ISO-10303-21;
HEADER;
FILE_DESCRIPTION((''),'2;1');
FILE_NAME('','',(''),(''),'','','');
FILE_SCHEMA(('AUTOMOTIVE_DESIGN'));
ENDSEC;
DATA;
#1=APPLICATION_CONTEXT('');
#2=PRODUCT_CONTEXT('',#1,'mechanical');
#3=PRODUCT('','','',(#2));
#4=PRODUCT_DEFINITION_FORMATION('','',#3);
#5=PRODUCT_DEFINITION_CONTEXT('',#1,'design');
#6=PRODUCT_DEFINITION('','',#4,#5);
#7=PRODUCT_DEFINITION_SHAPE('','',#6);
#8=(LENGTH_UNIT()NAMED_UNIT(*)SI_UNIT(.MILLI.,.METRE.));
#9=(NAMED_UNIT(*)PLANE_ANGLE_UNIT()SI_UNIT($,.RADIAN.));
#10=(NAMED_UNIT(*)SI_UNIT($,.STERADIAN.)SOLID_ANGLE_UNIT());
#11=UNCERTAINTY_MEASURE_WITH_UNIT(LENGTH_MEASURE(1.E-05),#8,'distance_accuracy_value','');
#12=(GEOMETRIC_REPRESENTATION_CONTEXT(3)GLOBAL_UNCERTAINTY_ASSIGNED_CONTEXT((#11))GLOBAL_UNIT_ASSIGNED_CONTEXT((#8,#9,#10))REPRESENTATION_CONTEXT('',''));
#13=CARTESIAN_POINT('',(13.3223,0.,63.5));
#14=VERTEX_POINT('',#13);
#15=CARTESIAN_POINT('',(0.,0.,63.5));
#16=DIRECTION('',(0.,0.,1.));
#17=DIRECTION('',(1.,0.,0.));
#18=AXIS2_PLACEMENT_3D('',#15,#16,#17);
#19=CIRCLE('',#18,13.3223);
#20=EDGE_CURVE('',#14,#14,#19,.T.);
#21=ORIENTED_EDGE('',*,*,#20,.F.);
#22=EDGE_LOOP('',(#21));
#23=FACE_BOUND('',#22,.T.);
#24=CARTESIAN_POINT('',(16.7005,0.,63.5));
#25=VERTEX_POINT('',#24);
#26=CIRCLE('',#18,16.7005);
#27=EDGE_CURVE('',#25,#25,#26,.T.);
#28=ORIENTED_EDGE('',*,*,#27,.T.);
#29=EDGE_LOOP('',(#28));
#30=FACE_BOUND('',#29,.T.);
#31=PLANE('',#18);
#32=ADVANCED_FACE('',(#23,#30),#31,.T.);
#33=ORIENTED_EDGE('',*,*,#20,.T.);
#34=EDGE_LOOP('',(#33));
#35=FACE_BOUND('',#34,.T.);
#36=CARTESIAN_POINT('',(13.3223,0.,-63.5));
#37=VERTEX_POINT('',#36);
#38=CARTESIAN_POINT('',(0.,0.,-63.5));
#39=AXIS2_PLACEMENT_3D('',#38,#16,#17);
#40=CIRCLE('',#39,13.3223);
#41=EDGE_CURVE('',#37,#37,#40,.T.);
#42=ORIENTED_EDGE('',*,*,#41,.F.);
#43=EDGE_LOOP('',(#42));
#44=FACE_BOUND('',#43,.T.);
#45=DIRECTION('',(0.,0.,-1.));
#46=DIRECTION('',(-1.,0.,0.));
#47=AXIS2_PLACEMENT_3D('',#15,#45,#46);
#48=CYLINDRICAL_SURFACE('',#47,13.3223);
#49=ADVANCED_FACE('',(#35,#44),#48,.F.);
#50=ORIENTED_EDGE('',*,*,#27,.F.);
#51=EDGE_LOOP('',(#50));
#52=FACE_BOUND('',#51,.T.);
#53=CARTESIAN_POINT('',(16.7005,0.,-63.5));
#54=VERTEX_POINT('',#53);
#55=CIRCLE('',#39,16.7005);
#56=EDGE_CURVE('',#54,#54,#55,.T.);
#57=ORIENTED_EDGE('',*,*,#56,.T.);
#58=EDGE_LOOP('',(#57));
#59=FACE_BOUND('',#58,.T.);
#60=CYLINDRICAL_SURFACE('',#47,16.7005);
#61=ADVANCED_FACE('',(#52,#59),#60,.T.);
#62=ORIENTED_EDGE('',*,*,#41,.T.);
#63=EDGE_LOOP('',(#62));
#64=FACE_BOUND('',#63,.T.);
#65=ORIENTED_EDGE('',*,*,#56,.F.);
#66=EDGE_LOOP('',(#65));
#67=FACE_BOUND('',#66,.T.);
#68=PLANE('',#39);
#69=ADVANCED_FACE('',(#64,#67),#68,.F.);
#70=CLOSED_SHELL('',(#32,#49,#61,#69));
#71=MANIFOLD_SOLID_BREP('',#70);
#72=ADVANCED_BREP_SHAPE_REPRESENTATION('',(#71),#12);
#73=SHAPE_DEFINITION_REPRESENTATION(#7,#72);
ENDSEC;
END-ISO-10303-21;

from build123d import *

# Parameters (mm, degrees)
SKETCH1_R           = 16.7005
SKETCH1_R_2         = 13.3223
EXTRUDE_THIN1_DEPTH = 63.5


with BuildPart() as part:
    # Sketch1 → Extrude-Thin1 (new body, symmetric)
    with BuildSketch(Plane.XY):
        Circle(SKETCH1_R)
        Circle(SKETCH1_R_2, mode=Mode.SUBTRACT)
    extrude(amount=EXTRUDE_THIN1_DEPTH, both=True)


solid = part.part
